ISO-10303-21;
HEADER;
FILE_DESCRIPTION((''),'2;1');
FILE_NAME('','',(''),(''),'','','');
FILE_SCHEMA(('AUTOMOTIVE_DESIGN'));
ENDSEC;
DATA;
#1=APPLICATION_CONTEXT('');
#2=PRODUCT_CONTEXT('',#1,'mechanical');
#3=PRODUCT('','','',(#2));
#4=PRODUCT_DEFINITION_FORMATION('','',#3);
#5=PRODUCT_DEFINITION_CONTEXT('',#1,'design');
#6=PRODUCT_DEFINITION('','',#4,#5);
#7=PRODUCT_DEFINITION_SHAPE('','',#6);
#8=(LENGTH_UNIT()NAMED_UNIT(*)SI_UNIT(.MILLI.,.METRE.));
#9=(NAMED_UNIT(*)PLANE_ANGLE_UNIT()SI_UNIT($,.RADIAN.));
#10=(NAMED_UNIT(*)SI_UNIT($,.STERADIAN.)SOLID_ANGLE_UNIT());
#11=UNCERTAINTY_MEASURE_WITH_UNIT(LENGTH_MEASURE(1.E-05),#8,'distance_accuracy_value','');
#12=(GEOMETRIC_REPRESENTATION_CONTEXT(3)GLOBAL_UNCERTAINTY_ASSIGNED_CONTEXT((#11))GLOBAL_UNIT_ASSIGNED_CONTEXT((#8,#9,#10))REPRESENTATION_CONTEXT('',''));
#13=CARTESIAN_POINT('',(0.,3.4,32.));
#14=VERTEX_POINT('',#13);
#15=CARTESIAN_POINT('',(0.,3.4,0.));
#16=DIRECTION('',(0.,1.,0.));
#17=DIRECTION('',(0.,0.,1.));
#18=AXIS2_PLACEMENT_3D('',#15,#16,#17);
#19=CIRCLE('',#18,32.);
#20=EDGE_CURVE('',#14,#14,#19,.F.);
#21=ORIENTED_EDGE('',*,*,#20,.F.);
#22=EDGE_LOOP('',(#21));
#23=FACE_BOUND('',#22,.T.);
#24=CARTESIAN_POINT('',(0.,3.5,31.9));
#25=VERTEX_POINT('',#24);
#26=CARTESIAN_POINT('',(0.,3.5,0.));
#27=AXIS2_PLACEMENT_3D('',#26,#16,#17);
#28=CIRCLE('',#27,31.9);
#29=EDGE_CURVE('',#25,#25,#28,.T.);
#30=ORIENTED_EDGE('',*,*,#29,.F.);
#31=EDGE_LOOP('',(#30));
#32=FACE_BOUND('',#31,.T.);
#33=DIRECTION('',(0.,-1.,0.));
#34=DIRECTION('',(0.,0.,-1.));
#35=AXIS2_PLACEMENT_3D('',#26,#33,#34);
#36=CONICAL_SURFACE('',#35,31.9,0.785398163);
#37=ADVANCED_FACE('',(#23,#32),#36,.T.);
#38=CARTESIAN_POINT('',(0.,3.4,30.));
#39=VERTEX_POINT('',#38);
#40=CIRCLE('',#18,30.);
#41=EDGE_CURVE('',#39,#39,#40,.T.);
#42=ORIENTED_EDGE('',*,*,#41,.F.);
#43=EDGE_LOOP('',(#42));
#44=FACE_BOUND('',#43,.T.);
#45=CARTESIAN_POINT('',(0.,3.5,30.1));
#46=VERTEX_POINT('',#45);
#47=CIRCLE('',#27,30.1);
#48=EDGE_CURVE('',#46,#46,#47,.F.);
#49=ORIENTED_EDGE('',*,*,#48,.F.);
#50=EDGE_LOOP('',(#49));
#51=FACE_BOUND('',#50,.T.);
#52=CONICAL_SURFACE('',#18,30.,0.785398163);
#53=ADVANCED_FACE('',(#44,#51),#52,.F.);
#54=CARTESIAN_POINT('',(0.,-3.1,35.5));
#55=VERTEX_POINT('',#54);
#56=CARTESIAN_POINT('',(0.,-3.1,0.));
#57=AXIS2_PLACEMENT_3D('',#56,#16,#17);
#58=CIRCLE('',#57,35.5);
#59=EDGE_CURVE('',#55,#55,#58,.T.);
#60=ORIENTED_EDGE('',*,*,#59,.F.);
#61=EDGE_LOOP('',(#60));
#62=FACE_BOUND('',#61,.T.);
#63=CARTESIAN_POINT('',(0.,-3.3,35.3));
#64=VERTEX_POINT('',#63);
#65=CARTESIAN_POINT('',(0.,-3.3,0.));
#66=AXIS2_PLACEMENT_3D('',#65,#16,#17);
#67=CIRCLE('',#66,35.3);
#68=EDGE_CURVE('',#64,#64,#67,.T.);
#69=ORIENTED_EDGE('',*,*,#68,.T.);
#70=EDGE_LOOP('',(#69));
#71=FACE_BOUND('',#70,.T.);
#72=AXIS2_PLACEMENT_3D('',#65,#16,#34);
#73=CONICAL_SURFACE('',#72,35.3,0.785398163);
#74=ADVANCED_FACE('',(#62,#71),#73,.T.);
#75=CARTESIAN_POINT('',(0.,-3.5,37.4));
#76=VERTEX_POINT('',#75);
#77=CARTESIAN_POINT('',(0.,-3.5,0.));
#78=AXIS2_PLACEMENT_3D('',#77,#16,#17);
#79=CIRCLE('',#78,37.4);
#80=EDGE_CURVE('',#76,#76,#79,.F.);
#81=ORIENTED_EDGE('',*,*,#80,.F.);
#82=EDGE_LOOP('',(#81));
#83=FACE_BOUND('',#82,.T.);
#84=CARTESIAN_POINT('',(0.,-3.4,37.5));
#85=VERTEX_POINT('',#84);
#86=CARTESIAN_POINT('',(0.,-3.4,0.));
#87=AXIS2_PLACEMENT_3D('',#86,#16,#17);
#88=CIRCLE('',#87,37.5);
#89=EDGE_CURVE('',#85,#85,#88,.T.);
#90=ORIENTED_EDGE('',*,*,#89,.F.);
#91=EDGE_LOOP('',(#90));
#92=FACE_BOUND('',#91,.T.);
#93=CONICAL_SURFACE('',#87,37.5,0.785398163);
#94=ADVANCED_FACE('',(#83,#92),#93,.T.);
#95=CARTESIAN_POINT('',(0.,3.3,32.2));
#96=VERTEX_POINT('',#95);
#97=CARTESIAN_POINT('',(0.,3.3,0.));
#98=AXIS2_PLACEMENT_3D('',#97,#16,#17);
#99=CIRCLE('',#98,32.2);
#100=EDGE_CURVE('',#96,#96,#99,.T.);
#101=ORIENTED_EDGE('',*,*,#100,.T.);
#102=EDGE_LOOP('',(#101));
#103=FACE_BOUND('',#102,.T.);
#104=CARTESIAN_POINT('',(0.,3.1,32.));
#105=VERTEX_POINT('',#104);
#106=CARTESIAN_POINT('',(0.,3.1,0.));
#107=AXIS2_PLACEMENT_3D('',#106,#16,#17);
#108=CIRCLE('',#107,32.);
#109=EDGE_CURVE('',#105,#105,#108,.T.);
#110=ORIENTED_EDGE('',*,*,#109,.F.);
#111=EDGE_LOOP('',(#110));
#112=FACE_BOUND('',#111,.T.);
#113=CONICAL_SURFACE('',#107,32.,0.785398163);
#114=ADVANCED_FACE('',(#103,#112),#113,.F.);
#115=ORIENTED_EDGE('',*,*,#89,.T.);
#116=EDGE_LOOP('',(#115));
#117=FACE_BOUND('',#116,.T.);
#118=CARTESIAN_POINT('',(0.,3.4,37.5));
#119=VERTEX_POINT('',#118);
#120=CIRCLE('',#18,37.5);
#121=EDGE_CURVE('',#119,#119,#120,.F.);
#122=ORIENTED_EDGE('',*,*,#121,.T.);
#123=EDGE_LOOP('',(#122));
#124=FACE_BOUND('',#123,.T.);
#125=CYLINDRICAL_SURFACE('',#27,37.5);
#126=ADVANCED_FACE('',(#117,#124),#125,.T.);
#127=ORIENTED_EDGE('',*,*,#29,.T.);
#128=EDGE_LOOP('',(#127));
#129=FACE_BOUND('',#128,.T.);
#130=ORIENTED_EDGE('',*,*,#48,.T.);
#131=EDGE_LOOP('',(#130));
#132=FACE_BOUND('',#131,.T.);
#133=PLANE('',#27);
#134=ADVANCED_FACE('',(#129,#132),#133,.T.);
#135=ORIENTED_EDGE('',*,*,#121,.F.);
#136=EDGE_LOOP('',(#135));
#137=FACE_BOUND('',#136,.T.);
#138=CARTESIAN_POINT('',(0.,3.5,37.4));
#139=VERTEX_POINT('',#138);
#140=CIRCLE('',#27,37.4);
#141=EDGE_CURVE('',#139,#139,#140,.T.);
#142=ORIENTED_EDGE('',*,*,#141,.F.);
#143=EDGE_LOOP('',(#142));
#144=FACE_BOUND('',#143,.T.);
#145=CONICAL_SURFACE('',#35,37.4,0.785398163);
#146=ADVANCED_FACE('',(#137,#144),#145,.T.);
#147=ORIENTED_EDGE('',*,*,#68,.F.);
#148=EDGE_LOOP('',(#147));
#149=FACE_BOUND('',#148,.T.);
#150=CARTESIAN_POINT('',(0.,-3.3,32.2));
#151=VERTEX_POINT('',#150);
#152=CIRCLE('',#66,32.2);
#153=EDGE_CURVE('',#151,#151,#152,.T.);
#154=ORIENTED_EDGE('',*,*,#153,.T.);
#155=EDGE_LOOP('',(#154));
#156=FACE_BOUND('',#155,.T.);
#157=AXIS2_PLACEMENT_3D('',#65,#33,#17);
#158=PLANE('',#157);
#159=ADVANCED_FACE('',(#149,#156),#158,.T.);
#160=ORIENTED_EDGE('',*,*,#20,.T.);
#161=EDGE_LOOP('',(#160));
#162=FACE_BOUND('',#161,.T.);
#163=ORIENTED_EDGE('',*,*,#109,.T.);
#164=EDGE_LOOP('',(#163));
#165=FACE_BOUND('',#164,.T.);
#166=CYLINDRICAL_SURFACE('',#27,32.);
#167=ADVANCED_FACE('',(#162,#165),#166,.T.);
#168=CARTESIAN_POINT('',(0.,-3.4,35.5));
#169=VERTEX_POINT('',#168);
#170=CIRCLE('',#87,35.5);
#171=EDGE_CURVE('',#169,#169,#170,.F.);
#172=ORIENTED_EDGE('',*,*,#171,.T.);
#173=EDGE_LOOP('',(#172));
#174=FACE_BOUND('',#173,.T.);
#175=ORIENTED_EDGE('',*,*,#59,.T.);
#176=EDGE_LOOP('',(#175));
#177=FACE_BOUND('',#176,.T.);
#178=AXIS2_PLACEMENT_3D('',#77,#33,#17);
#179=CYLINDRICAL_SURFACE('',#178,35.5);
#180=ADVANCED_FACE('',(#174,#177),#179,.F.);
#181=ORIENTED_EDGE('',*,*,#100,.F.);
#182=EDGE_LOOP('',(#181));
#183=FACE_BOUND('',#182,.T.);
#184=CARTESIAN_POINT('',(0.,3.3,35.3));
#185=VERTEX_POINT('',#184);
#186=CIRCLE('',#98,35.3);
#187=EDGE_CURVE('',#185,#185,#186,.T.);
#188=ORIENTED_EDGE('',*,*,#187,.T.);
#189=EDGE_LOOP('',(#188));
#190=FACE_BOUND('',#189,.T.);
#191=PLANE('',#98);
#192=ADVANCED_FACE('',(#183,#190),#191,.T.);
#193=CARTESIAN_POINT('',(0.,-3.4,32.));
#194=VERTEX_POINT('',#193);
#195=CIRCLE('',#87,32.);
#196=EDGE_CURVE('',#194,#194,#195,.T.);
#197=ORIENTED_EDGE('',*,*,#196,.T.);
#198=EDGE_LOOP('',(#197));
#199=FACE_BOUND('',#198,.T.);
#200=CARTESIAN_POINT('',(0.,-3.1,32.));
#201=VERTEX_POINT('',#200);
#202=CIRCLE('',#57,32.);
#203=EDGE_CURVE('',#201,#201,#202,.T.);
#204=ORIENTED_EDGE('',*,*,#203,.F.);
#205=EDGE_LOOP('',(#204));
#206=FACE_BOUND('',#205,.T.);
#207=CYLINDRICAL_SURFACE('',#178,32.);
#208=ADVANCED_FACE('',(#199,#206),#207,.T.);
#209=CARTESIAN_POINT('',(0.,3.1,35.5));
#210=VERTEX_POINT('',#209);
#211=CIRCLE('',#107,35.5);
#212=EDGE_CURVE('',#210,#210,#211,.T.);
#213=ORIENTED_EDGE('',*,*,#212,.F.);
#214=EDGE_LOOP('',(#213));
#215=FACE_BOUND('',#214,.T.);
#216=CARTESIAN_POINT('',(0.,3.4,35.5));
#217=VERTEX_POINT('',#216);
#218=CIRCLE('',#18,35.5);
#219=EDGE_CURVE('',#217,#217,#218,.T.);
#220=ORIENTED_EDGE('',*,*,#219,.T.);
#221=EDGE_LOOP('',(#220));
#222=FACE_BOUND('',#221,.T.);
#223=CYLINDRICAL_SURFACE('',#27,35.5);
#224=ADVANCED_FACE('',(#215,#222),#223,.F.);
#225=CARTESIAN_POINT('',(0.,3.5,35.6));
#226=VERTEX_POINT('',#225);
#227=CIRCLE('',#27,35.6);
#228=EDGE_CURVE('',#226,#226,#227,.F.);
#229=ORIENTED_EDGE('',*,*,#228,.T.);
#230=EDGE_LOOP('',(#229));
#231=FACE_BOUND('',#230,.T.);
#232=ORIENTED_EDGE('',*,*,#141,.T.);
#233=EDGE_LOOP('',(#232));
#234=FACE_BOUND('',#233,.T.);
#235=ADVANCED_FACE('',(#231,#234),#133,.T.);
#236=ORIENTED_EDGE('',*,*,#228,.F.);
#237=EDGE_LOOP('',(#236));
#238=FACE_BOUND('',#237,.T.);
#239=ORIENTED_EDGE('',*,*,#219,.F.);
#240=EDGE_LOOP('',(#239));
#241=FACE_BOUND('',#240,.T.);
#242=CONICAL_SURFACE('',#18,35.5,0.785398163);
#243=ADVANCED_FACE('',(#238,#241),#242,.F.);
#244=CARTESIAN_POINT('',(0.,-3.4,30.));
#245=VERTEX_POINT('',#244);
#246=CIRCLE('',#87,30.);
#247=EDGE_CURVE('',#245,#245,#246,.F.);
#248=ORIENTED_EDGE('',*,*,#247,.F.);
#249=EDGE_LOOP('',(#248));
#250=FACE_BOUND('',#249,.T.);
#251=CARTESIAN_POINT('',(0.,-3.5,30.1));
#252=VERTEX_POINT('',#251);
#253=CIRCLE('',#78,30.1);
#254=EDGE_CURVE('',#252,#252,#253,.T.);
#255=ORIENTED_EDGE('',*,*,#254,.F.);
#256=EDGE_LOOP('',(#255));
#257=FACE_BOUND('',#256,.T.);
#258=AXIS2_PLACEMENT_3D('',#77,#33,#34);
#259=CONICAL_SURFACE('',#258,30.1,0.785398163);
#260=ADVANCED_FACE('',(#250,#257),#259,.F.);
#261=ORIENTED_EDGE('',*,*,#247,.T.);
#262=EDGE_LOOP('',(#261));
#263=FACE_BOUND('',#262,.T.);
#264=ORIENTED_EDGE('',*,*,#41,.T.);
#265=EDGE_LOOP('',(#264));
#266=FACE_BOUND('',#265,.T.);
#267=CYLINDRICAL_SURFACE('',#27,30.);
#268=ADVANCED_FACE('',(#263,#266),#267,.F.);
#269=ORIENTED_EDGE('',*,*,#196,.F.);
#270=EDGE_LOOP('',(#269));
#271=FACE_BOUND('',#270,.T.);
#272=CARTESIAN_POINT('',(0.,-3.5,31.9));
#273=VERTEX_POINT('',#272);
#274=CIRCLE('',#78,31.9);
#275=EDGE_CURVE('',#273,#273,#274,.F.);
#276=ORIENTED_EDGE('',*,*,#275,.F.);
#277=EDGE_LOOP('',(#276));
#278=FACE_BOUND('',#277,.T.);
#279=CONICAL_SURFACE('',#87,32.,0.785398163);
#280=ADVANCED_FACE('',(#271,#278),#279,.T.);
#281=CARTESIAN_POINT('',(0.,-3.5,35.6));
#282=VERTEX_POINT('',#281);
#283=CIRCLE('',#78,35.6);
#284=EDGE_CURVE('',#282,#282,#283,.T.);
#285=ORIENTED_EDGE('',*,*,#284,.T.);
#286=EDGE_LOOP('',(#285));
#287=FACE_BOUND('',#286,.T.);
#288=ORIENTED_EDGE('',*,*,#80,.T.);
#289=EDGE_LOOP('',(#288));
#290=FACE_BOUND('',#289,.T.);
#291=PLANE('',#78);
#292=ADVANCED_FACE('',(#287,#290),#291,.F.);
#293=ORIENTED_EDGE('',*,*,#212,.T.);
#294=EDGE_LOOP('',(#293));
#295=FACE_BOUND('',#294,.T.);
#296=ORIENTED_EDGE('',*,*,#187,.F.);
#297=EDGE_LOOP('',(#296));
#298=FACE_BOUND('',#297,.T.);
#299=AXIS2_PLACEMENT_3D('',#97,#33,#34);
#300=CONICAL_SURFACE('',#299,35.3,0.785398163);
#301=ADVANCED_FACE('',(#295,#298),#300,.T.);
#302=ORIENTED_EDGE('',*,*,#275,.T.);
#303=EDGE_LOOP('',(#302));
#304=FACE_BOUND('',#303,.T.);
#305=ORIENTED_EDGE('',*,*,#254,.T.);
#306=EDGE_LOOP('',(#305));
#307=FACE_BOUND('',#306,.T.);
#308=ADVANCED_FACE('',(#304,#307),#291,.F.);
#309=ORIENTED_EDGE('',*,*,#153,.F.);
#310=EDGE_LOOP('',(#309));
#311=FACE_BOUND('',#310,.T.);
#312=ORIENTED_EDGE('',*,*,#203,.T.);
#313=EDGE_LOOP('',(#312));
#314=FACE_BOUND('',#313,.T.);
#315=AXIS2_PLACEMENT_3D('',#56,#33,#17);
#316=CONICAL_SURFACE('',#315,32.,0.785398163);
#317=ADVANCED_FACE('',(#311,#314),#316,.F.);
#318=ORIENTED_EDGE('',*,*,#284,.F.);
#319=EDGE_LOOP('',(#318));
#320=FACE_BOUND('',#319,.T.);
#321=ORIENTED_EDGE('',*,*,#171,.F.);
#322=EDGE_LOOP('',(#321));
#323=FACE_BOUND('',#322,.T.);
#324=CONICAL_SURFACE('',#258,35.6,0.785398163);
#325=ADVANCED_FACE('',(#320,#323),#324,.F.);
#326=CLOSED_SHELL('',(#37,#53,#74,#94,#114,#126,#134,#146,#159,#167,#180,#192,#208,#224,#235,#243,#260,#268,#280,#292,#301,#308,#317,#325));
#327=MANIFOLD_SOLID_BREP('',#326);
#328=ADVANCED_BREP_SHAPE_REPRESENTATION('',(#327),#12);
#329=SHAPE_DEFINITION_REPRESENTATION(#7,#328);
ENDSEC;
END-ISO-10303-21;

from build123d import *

# Parameters (mm, degrees)
SKETCH1_W     = 7.5
SKETCH1_H     = 7
CHAMFER1_SIZE = 0.1


with BuildPart() as part:
    # Sketch1 → Revolve1 (revolve)
    with BuildSketch(Plane(origin=(0, 0, 0), x_dir=(0, 0, -1), z_dir=(1, 0, 0))):
        with Locations((33.75, 0)):
            Rectangle(SKETCH1_W, SKETCH1_H)
    revolve(axis=Axis((0, 3.5, 0), (0, -1, 0)))

    # Sketch3 → Cut-Revolve2 (revolve, cut)
    with BuildSketch(Plane(origin=(0, 0, 0), x_dir=(0, 0, -1), z_dir=(1, 0, 0))):
        Polygon((35.3, 3.3), (35.5, 3.1), (35.5, 3.5), (32, 3.5), (32, 3.1), (32.2, 3.3), align=None)
    cut_revolve2 = revolve(axis=Axis((0, 3.5, 0), (0, -1, 0)), mode=Mode.SUBTRACT)

    # Mirror1: Cut-Revolve2 across plane
    add(cut_revolve2.mirror(Plane.ZX), mode=Mode.SUBTRACT)

    # Chamfer1
    chamfer1_edges = [part.edges().sort_by_distance(p)[0] for p in [
        (0, 3.5, 35.5),
        (0, 3.5, 32),
        (0, -3.5, 35.5),
        (0, -3.5, 32),
        (0, 3.5, 37.5),
        (0, -3.5, 37.5),
        (0, -3.5, 30),
        (0, 3.5, 30),
    ]]
    chamfer(chamfer1_edges, length=CHAMFER1_SIZE)


solid = part.part
